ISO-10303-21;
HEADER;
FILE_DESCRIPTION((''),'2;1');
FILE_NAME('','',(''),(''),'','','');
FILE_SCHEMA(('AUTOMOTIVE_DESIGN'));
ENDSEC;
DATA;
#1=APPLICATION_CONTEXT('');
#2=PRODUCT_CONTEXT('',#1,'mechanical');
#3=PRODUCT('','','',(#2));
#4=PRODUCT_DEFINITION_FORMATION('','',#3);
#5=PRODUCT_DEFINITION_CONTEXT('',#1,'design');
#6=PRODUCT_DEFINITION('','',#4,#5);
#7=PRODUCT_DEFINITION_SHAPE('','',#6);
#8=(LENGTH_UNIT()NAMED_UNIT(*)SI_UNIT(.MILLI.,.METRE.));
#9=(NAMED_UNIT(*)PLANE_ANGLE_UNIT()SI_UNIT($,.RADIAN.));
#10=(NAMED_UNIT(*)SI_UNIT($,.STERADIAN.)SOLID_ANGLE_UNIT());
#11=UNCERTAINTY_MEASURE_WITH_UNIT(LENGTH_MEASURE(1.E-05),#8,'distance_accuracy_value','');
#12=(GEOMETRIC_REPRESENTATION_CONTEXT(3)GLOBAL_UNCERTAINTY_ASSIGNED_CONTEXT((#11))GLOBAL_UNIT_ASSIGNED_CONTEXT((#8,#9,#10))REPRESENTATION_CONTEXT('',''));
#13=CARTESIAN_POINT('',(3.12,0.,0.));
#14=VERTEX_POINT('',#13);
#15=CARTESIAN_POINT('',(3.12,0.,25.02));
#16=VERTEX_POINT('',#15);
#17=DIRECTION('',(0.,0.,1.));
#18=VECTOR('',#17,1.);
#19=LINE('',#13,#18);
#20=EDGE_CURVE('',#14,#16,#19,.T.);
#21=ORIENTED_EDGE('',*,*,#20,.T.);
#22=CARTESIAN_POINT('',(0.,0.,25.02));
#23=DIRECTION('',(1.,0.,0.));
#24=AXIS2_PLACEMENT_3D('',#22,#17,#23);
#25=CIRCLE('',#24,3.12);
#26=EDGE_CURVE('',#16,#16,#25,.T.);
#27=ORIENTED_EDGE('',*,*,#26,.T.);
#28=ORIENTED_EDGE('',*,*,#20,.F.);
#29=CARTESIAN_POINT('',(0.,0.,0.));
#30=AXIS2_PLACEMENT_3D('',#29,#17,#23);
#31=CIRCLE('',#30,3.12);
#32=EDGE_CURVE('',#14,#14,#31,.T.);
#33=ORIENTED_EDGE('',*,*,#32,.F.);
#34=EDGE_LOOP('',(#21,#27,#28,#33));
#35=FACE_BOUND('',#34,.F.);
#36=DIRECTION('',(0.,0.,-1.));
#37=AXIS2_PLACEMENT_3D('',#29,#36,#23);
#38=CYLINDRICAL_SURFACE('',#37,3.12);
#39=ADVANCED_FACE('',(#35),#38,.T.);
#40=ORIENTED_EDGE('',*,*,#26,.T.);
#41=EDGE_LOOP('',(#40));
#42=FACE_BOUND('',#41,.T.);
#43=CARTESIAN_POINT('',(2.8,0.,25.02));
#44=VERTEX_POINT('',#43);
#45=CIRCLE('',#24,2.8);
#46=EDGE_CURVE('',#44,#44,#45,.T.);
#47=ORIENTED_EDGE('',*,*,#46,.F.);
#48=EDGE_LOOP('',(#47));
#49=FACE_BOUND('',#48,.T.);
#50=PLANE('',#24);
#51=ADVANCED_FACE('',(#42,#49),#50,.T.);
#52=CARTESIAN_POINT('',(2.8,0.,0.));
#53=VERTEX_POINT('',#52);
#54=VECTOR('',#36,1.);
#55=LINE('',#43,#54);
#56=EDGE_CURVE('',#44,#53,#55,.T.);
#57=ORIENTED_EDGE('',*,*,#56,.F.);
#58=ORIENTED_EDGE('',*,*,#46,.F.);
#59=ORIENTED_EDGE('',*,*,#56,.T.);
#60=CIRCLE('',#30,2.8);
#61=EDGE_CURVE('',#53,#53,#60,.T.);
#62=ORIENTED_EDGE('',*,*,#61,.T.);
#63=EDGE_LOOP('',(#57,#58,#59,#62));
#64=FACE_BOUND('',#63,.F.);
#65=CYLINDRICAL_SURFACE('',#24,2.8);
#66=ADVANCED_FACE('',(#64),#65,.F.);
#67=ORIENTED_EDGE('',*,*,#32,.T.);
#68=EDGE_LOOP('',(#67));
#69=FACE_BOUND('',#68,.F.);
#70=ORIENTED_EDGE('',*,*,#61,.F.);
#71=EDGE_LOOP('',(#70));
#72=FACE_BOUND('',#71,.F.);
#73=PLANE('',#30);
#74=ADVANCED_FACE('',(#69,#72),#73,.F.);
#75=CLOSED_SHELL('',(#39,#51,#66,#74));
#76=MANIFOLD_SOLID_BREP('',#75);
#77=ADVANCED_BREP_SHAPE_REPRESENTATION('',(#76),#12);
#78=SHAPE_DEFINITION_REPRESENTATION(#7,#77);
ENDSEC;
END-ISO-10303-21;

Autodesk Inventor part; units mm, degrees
ref_plane "YZ Plane" through (0, 0, 0) normal (1, 0, 0) x (0, 1, 0)
ref_plane "XZ Plane" through (0, 0, 0) normal (0, 1, 0) x (-1, 0, 0)
ref_plane "XY Plane" through (0, 0, 0) normal (0, 0, 1) x (1, 0, 0)
sketch "Sketch1" plane through (0, 0, 0) normal (0, 0, 1) x (1, 0, 0)
  circle A0 centre (0, 0) radius 3.12
  dimension "d0" = 6.24
extrude "Extrusion1" add sketch "Sketch1" along normal blind 25.02
sketch "Sketch2" plane through (0, 0, 25.02) normal (0, 0, 1) x (1, 0, 0)
  circle A0 centre (0, 0) radius 2.8
  dimension "d3" = 5.6
extrude "Extrusion2" cut sketch "Sketch2" against normal through all
properties part number "CAPTURE_3"
